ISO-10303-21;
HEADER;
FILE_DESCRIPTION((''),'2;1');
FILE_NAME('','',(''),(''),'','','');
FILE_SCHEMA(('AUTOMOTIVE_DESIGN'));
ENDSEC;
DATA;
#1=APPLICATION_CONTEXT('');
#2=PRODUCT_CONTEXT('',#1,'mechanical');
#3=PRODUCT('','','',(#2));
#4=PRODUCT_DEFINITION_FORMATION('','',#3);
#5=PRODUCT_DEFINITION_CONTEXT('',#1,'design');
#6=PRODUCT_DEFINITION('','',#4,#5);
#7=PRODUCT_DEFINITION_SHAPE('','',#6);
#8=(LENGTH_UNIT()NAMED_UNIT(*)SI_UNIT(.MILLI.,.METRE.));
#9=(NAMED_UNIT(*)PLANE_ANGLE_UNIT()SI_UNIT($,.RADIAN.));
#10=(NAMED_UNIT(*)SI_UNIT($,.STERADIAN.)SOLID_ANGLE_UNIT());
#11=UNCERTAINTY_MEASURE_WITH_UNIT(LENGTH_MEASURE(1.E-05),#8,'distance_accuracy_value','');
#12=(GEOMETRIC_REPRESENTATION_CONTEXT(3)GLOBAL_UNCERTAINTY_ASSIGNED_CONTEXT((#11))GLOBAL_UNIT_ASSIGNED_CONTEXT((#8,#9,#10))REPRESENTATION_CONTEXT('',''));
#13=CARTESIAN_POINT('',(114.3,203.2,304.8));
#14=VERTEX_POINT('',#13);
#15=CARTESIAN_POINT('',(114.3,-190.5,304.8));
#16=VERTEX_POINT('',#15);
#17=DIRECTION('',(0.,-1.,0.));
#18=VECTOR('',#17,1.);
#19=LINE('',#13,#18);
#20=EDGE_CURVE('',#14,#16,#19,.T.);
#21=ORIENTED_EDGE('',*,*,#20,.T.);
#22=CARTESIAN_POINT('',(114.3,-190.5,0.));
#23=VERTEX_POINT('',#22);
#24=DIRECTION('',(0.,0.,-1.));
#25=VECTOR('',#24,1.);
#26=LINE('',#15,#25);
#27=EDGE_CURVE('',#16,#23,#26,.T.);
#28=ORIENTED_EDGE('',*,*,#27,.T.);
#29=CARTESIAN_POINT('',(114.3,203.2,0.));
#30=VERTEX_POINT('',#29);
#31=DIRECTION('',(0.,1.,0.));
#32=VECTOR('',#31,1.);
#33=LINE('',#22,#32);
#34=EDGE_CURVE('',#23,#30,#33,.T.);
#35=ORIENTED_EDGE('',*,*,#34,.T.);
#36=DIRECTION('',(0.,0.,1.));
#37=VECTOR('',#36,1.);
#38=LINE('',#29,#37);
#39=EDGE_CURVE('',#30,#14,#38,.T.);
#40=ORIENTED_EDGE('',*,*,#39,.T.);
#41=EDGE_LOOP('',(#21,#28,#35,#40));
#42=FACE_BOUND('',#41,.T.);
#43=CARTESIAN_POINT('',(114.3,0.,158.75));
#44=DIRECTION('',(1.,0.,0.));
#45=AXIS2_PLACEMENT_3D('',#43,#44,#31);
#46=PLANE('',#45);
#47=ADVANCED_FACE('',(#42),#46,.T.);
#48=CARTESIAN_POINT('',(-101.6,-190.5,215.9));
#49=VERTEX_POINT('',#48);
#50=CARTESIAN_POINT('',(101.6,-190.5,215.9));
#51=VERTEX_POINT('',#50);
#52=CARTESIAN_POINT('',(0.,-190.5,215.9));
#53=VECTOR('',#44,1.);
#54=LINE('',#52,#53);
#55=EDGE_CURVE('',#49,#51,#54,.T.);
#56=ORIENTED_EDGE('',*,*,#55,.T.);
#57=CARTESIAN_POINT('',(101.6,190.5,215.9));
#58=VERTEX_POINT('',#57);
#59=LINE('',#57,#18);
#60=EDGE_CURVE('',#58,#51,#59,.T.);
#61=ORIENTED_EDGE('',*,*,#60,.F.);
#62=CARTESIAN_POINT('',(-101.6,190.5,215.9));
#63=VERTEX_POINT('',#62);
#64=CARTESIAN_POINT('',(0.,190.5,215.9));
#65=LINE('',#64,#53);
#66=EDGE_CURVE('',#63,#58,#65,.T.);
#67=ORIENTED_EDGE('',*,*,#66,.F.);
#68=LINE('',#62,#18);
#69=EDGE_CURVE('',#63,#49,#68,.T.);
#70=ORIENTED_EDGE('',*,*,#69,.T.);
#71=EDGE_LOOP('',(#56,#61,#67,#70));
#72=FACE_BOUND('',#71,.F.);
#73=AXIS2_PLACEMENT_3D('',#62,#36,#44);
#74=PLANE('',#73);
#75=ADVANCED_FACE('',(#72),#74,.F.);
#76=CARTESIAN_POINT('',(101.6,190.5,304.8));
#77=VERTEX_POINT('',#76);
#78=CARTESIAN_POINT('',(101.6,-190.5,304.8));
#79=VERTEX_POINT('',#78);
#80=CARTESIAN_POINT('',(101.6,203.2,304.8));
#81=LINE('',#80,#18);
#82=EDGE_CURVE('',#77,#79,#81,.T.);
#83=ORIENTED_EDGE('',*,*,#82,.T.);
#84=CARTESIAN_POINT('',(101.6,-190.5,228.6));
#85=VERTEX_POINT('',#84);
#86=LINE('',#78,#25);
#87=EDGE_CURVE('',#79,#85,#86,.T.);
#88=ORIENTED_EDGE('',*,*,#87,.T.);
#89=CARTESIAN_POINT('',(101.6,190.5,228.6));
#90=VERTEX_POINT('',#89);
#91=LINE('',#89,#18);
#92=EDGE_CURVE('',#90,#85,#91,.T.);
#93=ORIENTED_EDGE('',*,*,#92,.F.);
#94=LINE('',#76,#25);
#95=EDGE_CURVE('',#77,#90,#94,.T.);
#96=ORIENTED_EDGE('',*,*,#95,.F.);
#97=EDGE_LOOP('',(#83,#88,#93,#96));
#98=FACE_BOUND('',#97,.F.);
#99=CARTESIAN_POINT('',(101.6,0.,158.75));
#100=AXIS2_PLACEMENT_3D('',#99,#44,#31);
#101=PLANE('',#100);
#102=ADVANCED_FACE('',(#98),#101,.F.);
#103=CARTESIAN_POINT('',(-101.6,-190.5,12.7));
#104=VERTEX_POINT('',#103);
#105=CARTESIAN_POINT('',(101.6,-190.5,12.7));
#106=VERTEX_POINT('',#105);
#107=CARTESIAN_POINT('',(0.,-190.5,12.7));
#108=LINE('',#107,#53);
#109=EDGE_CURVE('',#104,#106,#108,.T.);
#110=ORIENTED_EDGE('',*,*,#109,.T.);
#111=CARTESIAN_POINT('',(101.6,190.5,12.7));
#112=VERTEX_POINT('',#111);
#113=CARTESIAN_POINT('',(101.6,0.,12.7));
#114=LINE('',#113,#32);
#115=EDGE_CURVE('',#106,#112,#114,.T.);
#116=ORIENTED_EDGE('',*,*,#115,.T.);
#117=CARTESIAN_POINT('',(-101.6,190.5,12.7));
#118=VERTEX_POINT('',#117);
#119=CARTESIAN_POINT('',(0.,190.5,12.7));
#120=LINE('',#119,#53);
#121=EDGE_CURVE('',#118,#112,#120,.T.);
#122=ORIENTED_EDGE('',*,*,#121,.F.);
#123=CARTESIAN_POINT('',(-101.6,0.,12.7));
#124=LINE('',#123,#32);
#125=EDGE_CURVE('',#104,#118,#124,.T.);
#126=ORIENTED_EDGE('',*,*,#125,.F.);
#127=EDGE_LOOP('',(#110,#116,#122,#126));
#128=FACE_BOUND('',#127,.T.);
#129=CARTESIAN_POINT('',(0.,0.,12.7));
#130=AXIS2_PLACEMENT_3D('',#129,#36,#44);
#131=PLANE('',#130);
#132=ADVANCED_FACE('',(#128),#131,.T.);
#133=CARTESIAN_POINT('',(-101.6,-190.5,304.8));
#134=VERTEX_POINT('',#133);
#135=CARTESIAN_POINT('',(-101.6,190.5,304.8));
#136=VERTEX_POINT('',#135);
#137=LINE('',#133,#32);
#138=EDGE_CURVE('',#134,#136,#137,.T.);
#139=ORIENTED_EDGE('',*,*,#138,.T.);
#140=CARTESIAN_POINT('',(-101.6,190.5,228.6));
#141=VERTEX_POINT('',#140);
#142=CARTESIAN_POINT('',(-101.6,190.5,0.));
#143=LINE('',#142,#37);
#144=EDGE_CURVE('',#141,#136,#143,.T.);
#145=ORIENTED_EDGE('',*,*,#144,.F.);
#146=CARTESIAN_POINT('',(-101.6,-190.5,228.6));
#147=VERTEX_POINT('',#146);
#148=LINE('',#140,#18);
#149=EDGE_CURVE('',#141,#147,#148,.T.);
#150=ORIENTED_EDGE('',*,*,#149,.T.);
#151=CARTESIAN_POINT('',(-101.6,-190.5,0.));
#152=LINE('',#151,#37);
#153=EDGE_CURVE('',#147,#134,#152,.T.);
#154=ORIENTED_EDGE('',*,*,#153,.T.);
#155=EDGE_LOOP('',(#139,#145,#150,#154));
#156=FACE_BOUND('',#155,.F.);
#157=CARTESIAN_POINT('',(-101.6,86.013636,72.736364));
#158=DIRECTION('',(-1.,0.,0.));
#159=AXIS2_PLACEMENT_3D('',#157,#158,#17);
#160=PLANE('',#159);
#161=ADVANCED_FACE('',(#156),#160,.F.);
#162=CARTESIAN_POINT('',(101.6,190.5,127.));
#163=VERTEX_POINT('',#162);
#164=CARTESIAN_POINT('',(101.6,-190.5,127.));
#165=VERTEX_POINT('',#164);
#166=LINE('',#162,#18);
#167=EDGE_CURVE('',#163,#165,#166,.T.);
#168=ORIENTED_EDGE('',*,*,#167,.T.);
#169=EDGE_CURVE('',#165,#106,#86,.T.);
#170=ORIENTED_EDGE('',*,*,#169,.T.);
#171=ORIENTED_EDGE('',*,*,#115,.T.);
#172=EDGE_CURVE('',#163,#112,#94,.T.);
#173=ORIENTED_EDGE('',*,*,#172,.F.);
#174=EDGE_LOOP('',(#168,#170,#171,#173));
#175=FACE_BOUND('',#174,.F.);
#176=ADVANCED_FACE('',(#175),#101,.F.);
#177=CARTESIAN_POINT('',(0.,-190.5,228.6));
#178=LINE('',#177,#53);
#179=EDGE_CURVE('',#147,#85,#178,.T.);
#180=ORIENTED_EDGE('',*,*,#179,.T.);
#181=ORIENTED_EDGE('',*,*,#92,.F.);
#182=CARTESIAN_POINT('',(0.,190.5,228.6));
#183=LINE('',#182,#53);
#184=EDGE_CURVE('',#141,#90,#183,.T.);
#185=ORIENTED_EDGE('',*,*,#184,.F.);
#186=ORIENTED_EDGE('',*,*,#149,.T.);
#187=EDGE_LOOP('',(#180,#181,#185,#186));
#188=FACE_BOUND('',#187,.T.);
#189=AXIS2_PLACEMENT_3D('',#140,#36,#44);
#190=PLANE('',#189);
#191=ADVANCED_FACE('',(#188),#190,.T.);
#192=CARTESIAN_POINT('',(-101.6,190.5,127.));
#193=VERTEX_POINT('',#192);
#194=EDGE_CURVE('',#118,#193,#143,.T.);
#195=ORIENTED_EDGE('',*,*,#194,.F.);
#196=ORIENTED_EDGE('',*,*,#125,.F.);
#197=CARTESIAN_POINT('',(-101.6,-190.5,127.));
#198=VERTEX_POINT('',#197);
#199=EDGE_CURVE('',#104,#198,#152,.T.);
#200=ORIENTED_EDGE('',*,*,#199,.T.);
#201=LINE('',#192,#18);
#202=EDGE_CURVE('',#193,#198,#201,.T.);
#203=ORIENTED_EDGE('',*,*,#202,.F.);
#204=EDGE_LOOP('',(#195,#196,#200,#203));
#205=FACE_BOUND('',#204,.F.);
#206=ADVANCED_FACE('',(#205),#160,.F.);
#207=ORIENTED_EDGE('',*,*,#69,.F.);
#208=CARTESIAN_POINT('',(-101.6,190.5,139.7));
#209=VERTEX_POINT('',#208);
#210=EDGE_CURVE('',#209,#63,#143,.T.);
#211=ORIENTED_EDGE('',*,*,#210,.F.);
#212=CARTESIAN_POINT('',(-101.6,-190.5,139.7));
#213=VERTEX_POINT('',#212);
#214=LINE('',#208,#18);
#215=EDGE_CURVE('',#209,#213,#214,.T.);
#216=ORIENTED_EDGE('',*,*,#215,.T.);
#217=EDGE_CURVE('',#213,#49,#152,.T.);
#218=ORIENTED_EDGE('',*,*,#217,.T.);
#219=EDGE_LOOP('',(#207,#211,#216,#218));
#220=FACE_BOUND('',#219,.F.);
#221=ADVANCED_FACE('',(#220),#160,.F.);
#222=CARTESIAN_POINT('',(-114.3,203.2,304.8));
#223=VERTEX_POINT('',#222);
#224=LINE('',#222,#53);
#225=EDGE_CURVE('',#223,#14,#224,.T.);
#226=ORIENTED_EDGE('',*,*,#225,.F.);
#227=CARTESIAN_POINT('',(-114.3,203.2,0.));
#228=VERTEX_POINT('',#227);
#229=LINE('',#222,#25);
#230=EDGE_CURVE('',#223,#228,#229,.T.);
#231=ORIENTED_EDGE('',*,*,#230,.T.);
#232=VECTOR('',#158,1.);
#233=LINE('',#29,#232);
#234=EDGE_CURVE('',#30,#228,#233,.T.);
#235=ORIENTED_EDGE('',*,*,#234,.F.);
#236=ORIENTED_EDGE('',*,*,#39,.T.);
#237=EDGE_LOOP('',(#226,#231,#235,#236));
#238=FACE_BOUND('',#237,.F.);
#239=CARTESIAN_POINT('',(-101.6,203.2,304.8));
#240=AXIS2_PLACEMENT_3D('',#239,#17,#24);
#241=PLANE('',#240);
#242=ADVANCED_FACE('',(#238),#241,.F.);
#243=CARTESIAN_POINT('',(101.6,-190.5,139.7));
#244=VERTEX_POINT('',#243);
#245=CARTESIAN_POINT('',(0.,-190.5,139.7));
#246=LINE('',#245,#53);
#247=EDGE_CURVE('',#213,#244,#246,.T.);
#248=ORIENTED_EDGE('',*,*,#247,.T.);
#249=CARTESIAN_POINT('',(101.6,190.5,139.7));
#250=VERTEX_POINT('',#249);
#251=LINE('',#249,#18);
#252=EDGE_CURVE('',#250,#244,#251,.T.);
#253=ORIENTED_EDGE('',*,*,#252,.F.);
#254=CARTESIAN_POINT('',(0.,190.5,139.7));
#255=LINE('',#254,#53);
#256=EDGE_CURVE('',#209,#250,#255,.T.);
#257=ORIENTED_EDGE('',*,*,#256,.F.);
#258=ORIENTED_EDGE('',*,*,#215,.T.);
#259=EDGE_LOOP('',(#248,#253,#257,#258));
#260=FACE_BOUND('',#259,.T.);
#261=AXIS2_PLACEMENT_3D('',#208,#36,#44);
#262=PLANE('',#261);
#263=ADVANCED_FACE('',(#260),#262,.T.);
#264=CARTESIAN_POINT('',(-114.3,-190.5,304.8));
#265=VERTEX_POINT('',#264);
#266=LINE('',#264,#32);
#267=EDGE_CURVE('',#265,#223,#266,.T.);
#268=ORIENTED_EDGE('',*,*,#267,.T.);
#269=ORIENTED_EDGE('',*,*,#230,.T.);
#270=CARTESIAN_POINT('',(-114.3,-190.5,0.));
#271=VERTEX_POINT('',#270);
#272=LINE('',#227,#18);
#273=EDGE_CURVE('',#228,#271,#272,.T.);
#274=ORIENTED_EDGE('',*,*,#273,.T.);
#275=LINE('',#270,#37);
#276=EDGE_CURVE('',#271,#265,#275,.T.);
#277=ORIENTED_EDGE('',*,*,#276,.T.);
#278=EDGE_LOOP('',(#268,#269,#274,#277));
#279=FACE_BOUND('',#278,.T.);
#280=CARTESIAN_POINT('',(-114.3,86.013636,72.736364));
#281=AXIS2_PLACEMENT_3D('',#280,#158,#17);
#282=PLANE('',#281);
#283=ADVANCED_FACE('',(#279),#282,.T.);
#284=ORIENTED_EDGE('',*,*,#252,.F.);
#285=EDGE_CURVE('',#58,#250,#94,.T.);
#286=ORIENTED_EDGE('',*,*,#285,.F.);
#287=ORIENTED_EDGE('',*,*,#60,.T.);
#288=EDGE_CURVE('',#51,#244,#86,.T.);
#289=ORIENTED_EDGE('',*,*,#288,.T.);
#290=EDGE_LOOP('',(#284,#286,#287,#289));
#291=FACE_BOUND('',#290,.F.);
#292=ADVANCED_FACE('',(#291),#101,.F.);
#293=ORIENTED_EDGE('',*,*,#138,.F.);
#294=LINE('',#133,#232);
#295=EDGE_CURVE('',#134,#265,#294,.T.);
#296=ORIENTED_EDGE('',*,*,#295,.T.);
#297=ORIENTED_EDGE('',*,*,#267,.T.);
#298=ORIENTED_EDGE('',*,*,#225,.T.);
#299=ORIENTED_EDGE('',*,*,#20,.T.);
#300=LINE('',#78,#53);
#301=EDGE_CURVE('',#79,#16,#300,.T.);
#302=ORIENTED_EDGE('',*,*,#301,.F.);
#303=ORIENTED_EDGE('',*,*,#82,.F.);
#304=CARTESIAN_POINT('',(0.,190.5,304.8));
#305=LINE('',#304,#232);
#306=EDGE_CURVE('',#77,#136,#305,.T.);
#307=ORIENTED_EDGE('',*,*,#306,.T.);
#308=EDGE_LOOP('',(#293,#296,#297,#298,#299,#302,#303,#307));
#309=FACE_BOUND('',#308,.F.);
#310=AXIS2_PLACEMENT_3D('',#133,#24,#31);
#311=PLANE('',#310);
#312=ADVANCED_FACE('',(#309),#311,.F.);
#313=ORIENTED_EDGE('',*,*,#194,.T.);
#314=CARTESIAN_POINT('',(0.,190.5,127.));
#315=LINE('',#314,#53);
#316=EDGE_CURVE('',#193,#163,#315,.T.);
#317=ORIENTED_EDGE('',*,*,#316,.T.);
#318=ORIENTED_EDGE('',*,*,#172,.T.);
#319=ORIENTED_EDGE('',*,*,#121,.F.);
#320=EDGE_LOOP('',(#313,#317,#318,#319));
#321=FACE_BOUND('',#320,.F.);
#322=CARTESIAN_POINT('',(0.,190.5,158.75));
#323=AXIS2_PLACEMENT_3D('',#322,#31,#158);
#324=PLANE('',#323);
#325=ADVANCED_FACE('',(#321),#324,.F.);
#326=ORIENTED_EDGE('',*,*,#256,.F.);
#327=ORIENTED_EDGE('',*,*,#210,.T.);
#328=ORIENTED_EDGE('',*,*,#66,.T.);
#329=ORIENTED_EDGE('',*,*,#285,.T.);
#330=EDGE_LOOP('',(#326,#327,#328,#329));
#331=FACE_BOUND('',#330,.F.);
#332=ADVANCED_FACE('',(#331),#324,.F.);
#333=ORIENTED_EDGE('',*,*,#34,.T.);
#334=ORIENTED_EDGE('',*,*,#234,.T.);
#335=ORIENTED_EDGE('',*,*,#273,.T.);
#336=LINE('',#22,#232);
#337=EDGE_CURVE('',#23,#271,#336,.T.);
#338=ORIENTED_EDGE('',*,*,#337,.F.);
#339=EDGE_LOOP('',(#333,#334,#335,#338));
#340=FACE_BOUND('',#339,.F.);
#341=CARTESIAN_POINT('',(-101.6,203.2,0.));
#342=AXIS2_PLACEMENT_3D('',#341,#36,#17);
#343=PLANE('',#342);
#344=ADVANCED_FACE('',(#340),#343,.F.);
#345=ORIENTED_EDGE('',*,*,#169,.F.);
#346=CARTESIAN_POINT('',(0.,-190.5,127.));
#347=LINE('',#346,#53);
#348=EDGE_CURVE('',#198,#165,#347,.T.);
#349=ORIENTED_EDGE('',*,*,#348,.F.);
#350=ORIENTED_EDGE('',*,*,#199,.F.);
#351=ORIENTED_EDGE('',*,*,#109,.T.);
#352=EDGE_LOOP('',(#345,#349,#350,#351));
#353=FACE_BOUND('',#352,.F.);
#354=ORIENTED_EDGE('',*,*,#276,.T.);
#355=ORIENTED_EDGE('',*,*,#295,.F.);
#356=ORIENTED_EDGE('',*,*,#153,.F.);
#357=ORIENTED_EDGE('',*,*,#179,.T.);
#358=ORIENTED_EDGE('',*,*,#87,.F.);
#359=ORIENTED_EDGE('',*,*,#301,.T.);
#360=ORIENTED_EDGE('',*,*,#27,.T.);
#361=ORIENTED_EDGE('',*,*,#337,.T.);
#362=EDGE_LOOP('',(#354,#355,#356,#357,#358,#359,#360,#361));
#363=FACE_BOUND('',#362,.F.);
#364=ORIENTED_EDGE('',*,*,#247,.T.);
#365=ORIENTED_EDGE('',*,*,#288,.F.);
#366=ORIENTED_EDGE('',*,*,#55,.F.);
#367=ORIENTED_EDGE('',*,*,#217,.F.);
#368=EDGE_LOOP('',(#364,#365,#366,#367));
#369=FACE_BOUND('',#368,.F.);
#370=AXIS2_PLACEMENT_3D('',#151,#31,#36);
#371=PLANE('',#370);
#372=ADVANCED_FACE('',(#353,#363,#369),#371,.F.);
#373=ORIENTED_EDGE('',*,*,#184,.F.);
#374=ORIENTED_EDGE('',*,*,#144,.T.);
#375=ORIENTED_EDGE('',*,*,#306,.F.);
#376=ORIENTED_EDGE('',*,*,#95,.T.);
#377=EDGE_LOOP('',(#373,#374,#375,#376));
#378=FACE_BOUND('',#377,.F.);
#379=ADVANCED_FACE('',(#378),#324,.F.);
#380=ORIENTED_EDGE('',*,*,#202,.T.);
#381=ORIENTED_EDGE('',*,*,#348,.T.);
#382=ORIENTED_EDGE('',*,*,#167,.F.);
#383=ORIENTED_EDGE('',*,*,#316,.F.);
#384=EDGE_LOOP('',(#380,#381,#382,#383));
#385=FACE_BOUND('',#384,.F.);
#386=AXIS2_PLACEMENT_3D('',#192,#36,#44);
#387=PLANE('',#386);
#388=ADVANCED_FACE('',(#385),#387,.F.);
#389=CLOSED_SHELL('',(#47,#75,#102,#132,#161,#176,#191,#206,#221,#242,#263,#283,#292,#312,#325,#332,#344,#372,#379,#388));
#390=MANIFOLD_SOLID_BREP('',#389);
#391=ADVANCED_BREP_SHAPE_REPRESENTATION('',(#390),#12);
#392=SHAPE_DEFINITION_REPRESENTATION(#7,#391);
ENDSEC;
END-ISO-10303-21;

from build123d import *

# Parameters (mm, degrees)
F0_W      = 203.2
F0_H      = 381
F1_DEPTH  = 12.7
F2_W      = 203.2
F2_H      = 292.1
F2_H_2    = 12.7
F3_DEPTH  = 12.7
F4_W      = 381
F4_H      = 292.1
F5_DEPTH  = 12.7
F6_W      = 381
F6_H      = 292.1
F7_DEPTH  = 12.7
F8_W      = 203.2
F8_H      = 12.7
F9_DEPTH  = 381
F10_W     = 203.2
F10_H     = 12.7
F11_DEPTH = 381


with BuildPart() as f1:
    # F0 (on Top) → F1 (new body)
    with BuildSketch(Plane.XY):
        Rectangle(F0_W, F0_H)
    extrude(amount=F1_DEPTH)

    # F2 (on face) → F3 (join)
    with BuildSketch(Plane(origin=(0, 190.5, 0), x_dir=(-1, 0, 0), z_dir=(0, 1, 0))):
        with Locations((0, 158.75)):
            Rectangle(F2_W, F2_H)
        with Locations((0, 6.35)):
            Rectangle(F2_W, F2_H_2)
    extrude(amount=F3_DEPTH)

    # F4 (on face) → F5 (join)
    with BuildSketch(Plane.YZ.offset(101.6)):
        with Locations((0, 158.75)):
            Rectangle(F4_W, F4_H)
        Polygon((-190.5, 0), (203.2, 0), (203.2, 304.8), (190.5, 304.8), (190.5, 12.7), (-190.5, 12.7), align=None)
    extrude(amount=F5_DEPTH)

    # F6 (on face) → F7 (join)
    with BuildSketch(Plane(origin=(-101.6, 0, 0), x_dir=(0, -1, 0), z_dir=(-1, 0, 0))):
        Polygon((-203.2, 304.8), (-203.2, 0), (190.5, 0), (190.5, 12.7), (-190.5, 12.7), (-190.5, 304.8), align=None)
        with Locations((0, 158.75)):
            Rectangle(F6_W, F6_H)
    extrude(amount=F7_DEPTH)

    # F8 (on face) → F9 (join)
    with BuildSketch(Plane.XZ.offset(-190.5)):
        with Locations((0, 222.25)):
            Rectangle(F8_W, F8_H)
    extrude(amount=F9_DEPTH)

    # F10 (on face) → F11 (join)
    with BuildSketch(Plane.XZ.offset(-190.5)):
        with Locations((0, 133.35)):
            Rectangle(F10_W, F10_H)
    extrude(amount=F11_DEPTH)


solid = f1.part
